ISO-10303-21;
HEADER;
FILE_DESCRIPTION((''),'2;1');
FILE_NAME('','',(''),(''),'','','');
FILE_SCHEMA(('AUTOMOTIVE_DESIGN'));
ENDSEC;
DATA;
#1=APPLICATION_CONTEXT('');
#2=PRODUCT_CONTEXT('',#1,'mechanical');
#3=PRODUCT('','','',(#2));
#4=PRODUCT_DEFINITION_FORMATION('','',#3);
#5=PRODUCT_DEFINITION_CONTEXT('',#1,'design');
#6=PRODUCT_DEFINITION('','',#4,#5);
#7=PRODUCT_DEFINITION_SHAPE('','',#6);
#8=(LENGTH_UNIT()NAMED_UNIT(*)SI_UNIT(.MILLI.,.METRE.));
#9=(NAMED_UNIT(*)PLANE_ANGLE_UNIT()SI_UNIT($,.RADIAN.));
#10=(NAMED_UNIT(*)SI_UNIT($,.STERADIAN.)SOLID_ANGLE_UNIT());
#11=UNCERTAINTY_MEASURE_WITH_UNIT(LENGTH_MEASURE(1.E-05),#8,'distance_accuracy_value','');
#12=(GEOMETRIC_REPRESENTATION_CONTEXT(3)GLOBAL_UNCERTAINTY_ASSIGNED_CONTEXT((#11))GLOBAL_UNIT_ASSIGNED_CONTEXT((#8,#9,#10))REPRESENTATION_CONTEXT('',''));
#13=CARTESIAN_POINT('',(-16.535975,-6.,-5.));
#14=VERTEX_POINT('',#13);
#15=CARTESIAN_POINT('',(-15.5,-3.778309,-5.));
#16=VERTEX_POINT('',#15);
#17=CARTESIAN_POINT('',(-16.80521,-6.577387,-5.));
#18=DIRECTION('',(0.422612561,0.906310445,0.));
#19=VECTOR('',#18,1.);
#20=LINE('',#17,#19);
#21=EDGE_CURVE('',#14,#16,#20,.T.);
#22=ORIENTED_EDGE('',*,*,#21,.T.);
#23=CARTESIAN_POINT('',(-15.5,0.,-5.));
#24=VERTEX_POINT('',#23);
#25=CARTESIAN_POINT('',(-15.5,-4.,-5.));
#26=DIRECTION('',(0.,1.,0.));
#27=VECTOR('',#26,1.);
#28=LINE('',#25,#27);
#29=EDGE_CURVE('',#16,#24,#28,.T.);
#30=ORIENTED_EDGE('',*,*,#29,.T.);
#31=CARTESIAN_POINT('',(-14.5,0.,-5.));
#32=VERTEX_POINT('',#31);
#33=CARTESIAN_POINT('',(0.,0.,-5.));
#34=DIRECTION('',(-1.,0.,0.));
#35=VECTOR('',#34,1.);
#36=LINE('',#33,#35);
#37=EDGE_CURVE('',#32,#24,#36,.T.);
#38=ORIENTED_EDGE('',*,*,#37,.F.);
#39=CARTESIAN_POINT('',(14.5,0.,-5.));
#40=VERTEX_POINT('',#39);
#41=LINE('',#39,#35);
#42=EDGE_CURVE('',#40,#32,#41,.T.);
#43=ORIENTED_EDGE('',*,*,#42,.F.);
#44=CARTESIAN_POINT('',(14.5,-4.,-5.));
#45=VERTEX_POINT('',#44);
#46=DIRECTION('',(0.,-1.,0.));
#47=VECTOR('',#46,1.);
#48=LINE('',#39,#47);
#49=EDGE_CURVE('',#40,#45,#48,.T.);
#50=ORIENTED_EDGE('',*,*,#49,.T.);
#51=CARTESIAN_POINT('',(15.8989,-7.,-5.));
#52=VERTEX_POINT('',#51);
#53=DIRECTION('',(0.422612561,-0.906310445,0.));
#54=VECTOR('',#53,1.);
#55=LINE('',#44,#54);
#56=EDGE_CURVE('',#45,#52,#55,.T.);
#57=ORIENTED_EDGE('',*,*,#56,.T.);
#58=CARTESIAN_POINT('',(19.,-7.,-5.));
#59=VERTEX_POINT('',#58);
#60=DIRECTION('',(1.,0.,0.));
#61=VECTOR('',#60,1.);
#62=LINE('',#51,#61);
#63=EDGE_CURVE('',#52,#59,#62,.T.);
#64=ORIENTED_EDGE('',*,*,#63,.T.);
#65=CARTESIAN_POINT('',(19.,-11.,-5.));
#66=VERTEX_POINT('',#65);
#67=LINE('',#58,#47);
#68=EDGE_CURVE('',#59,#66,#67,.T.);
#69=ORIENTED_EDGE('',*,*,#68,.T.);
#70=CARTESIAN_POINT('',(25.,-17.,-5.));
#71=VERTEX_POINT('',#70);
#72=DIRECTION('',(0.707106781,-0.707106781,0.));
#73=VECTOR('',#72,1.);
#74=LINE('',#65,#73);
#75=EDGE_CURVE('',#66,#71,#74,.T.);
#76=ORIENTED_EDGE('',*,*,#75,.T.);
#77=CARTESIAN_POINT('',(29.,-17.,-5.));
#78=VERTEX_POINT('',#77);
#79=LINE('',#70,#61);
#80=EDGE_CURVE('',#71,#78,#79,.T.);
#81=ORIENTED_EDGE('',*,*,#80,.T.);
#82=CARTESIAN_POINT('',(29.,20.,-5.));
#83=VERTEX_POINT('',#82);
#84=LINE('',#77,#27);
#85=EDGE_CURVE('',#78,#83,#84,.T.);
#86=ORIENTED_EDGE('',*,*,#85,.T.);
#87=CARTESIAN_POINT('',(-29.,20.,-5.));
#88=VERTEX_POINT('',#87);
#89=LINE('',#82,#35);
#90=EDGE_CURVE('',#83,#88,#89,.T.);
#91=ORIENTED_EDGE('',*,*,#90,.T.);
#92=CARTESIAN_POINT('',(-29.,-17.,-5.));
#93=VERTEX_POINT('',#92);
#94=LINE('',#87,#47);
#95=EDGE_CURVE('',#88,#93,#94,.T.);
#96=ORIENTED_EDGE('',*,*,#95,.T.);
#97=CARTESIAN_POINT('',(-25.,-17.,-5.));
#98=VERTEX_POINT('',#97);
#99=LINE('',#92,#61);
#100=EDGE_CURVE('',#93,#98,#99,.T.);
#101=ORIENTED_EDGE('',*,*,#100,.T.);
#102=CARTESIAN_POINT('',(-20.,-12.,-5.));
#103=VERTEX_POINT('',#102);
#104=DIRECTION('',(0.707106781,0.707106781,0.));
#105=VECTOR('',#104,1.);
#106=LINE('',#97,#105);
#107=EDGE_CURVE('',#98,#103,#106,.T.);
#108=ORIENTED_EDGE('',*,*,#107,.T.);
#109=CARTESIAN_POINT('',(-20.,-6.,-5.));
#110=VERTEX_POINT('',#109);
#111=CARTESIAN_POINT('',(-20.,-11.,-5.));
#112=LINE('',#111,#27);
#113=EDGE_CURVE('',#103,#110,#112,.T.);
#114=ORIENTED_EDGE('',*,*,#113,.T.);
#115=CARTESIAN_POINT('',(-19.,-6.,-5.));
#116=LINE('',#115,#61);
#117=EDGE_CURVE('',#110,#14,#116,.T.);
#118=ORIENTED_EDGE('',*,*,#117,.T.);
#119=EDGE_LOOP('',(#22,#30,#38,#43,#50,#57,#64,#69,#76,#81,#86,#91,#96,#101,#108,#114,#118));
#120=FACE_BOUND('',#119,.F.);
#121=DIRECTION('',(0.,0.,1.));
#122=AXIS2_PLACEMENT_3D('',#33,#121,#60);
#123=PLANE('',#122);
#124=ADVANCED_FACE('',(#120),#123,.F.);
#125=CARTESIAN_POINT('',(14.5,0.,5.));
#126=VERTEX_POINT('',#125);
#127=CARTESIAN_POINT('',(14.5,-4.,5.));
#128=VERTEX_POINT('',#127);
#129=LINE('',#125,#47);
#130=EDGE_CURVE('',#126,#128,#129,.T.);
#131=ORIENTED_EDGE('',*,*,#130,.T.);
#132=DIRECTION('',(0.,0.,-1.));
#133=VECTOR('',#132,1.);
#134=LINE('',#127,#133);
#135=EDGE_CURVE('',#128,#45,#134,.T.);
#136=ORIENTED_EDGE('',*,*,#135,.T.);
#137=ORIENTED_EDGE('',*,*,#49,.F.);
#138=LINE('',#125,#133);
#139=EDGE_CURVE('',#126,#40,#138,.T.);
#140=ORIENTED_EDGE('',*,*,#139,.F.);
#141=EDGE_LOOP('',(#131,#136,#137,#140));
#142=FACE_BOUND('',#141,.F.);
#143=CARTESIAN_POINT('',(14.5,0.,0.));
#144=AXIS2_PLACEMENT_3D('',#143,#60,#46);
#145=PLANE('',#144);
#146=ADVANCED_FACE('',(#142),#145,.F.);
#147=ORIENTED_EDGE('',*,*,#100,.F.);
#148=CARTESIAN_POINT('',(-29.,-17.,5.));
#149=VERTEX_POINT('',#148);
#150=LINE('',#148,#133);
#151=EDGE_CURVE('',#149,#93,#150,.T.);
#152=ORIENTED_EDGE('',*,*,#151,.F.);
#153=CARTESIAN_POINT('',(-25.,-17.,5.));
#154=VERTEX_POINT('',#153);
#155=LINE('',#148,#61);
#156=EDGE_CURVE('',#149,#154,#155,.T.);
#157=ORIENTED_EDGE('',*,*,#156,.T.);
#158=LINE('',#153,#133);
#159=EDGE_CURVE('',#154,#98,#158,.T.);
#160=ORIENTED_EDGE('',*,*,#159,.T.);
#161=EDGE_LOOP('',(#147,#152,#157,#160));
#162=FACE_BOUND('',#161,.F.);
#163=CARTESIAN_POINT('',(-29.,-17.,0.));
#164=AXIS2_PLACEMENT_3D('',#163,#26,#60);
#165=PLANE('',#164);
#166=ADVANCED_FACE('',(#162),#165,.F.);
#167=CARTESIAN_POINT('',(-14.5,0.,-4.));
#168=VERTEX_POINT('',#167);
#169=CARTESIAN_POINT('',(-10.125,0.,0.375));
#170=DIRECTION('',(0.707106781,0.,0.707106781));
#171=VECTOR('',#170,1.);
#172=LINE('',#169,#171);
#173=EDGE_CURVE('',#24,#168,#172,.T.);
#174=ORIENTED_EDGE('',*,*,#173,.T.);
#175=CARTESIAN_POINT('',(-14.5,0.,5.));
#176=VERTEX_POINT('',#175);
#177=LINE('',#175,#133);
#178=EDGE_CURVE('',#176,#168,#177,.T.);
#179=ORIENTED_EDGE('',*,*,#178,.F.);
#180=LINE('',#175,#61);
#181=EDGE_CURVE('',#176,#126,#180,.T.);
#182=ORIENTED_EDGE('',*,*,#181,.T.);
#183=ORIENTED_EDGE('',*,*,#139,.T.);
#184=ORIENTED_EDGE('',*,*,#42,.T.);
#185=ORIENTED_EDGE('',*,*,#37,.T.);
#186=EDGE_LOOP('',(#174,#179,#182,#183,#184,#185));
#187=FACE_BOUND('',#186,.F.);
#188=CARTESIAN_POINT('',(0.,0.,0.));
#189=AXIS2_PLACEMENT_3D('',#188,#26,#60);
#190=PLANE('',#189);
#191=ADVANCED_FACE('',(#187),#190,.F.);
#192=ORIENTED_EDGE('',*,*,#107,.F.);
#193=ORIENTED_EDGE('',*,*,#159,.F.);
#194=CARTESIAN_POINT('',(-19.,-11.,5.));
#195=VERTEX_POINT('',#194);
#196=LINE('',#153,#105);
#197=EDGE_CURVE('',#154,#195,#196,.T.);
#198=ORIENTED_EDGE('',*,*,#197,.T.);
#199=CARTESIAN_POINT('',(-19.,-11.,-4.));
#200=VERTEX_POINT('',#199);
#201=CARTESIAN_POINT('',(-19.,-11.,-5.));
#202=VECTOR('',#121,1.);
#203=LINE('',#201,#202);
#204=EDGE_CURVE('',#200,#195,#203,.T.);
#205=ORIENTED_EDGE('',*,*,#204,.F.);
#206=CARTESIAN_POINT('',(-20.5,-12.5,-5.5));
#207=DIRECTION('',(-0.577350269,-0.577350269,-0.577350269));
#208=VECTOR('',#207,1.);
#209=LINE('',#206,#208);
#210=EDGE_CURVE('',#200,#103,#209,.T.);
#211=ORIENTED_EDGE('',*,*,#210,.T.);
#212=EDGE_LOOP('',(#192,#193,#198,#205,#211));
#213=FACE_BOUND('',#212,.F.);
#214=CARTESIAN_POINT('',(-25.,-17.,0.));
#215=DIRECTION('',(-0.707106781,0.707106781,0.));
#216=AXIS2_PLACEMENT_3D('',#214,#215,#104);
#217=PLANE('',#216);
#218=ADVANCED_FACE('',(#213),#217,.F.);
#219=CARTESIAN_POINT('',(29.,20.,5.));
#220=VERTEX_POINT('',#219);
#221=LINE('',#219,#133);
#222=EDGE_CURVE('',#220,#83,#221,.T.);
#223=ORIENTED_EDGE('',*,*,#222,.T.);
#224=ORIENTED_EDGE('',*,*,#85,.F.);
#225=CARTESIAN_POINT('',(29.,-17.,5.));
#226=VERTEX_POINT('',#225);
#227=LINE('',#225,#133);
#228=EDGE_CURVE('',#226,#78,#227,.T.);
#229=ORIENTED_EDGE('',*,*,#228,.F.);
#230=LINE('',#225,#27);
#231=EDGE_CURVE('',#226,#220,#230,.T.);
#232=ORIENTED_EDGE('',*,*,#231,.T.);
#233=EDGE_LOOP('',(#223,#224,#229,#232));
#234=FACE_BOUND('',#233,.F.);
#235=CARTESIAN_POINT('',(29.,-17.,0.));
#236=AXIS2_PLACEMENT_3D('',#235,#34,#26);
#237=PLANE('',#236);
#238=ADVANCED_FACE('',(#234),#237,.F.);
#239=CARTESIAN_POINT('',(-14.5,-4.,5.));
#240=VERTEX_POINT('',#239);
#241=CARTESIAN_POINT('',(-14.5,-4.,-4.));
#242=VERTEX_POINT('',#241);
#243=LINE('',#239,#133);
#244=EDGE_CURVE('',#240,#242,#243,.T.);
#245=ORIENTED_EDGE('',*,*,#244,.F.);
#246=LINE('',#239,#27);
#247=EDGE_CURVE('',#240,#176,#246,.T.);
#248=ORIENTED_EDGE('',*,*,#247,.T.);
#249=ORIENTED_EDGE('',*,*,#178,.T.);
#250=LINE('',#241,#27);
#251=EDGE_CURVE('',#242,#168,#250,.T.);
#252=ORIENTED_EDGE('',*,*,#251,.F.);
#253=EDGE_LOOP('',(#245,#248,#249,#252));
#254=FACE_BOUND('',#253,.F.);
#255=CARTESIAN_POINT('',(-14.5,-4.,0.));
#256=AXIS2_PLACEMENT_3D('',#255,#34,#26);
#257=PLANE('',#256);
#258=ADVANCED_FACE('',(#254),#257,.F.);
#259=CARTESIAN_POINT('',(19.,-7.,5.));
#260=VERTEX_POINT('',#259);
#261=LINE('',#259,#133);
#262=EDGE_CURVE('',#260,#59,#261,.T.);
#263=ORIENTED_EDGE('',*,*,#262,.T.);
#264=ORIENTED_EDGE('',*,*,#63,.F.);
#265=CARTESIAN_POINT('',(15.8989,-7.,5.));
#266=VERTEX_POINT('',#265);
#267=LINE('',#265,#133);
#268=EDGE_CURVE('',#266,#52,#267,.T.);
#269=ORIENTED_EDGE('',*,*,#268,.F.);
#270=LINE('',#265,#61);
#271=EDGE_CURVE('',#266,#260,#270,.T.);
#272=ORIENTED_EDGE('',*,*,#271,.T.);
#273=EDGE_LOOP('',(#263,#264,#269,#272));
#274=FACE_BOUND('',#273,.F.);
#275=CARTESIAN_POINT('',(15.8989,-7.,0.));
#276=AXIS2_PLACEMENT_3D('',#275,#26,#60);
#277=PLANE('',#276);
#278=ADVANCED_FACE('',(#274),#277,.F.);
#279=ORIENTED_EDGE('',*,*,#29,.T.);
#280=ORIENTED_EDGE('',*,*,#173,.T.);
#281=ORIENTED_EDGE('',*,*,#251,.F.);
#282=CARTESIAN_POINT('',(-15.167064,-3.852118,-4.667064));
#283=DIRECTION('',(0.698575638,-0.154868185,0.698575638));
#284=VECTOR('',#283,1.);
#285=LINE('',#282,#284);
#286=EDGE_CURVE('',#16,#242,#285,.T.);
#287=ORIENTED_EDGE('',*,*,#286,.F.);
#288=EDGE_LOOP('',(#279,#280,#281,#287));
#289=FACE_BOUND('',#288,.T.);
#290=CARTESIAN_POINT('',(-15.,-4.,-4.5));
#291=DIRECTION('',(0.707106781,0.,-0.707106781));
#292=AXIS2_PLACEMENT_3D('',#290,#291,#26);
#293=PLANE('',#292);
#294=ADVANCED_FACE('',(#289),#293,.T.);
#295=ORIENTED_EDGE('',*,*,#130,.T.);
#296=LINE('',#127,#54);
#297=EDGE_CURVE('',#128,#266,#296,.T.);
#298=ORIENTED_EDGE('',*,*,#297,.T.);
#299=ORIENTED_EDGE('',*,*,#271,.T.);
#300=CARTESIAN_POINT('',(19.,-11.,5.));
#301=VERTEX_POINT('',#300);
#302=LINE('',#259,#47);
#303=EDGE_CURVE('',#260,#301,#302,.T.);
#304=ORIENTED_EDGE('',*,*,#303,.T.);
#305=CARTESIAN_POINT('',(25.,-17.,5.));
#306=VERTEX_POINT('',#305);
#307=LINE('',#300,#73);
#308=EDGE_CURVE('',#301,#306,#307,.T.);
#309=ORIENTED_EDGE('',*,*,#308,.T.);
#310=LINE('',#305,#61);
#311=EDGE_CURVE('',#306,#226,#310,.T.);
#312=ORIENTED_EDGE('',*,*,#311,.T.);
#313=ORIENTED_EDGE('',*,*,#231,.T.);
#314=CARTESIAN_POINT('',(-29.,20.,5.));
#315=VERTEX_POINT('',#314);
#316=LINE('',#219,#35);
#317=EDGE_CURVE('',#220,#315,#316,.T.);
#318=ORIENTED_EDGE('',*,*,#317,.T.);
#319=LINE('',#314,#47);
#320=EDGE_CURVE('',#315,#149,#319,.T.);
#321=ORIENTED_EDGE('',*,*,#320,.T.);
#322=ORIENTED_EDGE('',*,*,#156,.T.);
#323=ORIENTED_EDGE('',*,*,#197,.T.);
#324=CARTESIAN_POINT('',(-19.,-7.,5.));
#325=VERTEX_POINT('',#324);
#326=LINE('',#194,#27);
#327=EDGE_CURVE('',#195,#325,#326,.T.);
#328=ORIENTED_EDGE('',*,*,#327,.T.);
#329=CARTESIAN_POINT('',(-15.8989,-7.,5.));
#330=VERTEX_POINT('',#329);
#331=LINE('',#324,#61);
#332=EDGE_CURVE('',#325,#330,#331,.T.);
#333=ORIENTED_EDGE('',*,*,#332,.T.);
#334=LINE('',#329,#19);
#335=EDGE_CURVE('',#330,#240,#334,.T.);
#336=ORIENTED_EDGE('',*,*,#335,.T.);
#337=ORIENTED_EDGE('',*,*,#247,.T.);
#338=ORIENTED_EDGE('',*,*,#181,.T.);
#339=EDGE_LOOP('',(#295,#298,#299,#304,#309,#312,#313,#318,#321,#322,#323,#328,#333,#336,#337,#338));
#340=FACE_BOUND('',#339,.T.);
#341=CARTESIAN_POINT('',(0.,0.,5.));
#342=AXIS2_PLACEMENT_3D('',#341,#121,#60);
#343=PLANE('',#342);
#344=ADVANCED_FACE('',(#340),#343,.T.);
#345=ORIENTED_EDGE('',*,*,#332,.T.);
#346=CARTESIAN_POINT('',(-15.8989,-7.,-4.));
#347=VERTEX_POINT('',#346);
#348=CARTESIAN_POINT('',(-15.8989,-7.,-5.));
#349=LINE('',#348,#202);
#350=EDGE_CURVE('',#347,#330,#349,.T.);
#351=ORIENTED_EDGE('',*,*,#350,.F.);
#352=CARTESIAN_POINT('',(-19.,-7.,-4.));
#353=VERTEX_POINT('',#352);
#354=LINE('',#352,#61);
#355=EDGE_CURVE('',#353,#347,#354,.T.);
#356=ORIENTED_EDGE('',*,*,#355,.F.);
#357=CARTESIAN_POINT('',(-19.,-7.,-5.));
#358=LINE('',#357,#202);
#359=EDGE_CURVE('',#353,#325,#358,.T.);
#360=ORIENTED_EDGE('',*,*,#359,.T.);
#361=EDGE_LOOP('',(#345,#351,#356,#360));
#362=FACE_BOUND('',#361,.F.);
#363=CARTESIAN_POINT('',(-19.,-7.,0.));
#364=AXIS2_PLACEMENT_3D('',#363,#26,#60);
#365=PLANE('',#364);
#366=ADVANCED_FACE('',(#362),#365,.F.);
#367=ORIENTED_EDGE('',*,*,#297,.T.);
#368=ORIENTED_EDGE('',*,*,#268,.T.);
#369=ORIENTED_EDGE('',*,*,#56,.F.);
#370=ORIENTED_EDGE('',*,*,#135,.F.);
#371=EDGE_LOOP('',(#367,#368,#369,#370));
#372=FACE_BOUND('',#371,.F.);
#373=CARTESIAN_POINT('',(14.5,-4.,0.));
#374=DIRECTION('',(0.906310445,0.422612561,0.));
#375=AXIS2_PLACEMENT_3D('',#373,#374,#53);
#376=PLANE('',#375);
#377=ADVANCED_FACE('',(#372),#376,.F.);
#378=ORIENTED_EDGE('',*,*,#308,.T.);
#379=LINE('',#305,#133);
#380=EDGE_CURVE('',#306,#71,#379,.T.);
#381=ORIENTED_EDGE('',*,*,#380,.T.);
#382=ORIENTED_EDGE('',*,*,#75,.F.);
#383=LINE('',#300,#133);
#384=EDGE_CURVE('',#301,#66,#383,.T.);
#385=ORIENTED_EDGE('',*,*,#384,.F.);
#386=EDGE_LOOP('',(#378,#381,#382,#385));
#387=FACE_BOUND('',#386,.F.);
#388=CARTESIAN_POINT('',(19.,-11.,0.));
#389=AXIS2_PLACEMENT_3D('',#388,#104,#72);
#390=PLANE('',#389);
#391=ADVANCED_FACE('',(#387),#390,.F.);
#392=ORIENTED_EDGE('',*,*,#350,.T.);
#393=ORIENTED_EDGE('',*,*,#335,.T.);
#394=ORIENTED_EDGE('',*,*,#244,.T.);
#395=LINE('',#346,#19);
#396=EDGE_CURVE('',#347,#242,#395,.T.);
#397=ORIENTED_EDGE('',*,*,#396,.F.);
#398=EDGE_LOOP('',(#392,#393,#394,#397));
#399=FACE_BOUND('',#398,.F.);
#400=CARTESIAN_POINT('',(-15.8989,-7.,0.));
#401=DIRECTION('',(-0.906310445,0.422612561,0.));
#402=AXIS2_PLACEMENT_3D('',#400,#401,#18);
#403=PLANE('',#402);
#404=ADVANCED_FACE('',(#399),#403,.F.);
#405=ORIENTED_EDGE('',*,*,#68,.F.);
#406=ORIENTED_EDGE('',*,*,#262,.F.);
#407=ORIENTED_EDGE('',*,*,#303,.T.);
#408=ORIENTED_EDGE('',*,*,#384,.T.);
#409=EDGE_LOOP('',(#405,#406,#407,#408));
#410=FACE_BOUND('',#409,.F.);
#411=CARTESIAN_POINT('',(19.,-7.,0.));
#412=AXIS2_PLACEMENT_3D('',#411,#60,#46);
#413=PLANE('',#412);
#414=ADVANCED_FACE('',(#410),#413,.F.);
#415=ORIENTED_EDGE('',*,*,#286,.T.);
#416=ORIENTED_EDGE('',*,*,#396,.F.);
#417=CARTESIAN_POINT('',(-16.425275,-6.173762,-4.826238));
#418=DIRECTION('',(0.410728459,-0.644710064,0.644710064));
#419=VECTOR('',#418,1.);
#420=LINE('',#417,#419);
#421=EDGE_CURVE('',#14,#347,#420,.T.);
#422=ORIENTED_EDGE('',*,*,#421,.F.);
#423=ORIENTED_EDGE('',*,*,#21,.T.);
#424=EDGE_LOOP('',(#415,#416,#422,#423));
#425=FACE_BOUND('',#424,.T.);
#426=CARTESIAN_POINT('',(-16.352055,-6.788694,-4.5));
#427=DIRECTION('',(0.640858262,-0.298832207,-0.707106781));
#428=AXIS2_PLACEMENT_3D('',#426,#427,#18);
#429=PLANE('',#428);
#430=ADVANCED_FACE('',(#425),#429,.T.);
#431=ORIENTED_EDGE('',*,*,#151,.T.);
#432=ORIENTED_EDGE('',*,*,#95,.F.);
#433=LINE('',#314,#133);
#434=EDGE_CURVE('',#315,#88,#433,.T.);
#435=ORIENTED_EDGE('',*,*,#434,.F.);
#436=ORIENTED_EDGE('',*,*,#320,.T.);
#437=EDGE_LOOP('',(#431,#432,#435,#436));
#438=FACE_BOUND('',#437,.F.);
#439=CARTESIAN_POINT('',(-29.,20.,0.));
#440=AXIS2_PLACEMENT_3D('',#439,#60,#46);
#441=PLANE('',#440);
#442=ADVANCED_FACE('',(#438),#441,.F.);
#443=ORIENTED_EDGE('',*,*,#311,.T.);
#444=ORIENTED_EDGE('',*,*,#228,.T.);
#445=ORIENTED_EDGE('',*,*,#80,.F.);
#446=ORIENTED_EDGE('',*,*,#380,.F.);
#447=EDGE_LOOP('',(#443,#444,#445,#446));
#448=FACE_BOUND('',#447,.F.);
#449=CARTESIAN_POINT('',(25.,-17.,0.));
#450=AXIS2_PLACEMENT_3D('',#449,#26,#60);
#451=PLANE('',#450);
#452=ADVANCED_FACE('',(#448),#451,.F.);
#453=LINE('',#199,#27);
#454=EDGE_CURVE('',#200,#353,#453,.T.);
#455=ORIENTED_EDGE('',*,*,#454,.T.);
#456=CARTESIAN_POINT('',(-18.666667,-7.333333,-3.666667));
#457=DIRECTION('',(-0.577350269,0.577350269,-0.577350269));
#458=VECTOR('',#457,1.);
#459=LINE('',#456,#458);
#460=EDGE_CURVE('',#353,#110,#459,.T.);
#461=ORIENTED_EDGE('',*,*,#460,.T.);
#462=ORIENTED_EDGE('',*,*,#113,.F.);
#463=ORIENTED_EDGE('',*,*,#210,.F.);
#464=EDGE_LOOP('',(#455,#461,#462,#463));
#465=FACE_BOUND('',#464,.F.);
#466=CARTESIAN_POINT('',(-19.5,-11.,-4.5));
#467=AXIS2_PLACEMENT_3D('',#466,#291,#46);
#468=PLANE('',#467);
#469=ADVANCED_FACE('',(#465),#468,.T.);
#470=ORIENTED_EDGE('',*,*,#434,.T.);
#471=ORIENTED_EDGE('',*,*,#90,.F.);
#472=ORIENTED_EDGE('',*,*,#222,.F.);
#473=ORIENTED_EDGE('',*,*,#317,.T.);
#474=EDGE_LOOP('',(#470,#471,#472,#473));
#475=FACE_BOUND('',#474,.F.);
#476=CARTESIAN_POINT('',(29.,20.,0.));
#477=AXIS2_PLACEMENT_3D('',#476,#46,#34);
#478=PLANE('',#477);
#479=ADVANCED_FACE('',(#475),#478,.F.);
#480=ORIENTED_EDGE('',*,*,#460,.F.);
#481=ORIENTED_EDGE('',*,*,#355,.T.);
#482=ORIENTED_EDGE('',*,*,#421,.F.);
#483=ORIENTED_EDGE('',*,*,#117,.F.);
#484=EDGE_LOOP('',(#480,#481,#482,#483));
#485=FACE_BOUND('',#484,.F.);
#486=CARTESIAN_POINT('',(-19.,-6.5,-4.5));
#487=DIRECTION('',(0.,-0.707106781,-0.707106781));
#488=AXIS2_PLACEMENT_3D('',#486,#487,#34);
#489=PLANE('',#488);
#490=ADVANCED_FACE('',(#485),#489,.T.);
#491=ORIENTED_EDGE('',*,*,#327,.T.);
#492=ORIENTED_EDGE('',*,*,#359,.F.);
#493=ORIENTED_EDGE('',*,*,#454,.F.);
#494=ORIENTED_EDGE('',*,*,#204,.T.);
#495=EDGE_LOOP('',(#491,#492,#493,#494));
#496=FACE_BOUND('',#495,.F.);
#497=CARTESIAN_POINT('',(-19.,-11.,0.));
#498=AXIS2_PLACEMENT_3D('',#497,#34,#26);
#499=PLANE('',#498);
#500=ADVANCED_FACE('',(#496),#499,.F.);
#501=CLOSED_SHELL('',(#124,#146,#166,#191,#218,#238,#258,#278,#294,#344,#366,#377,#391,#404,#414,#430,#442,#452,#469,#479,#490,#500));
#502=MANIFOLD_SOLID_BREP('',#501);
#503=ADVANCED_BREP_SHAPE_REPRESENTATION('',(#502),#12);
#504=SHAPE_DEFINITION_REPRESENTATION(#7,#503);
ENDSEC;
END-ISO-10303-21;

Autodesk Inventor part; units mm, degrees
ref_plane "YZ Plane" through (0, 0, 0) normal (1, 0, 0) x (0, 1, 0)
ref_plane "XZ Plane" through (0, 0, 0) normal (0, 1, 0) x (-1, 0, 0)
ref_plane "XY Plane" through (0, 0, 0) normal (0, 0, 1) x (1, 0, 0)
sketch "Skizze1" plane through (0, 0, 0) normal (0, 0, 1) x (1, 0, 0)
  line L0 (-19, -11) -> (-19, -7)
  line L1 (-19, -7) -> (-15.8989, -7)
  line L2 (-15.8989, -7) -> (-14.5, -4)
  line L3 (-14.5, -4) -> (-14.5, 0)
  line L4 (-14.5, 0) -> (14.5, 0)
  line L5 (14.5, 0) -> (14.5, -4)
  line L6 (14.5, -4) -> (15.8989, -7)
  line L7 (15.8989, -7) -> (19, -7)
  line L8 (19, -7) -> (19, -11)
  line L9 (19, -11) -> (25, -17)
  line L10 (25, -17) -> (29, -17)
  line L11 (29, -17) -> (29, 20)
  line L12 (29, 20) -> (-29, 20)
  line L13 (-29, 20) -> (-29, -17)
  line L14 (-29, -17) -> (-25, -17)
  line L15 (-25, -17) -> (-19, -11)
  line L16 (0, 0) -> (0, -29.3821)
  dimension "d5" = 29
  dimension "d6" = 20
  dimension "d7" = 4
  dimension "d8" = 4.5
  dimension "d10" = 38
  dimension "d12" = 25
  dimension "d13" = 10
  dimension "d14" = 10
  dimension "d15" = 7
  dimension "d16" = 45
  dimension "d17" = 10
  dimension "d18" = 4
extrude "Extrusion1" add sketch "Skizze1" along normal mid plane 10
sketch "Skizze2" plane through (25, -17, 5) normal (0, -1, 0) x (1, 0, 0)
  line L0 (4, -10) -> (4, 0) projected
  line L1 (-54, -10) -> (4, -10) projected
  line L2 (4, 0) -> (-6, 0)
  line L3 (-6, 0) -> (-6, -10)
  line L4 (-6, -10) -> (4, -10)
  line L5 (4, -10) -> (4, 0)
  point P0 (-25, -5)
  dimension "d21" = 10
extrude "Extrusion2" [suppressed]
chamfer "Fase1" distance 1 angle 45 4 edges at (-14.5, -2, -5) (-15.1995, -5.5, -5) (-17.4495, -7, -5) (-19, -9, -5)
properties part number "_WT_Aufnahme_Antriebseinheit5"
